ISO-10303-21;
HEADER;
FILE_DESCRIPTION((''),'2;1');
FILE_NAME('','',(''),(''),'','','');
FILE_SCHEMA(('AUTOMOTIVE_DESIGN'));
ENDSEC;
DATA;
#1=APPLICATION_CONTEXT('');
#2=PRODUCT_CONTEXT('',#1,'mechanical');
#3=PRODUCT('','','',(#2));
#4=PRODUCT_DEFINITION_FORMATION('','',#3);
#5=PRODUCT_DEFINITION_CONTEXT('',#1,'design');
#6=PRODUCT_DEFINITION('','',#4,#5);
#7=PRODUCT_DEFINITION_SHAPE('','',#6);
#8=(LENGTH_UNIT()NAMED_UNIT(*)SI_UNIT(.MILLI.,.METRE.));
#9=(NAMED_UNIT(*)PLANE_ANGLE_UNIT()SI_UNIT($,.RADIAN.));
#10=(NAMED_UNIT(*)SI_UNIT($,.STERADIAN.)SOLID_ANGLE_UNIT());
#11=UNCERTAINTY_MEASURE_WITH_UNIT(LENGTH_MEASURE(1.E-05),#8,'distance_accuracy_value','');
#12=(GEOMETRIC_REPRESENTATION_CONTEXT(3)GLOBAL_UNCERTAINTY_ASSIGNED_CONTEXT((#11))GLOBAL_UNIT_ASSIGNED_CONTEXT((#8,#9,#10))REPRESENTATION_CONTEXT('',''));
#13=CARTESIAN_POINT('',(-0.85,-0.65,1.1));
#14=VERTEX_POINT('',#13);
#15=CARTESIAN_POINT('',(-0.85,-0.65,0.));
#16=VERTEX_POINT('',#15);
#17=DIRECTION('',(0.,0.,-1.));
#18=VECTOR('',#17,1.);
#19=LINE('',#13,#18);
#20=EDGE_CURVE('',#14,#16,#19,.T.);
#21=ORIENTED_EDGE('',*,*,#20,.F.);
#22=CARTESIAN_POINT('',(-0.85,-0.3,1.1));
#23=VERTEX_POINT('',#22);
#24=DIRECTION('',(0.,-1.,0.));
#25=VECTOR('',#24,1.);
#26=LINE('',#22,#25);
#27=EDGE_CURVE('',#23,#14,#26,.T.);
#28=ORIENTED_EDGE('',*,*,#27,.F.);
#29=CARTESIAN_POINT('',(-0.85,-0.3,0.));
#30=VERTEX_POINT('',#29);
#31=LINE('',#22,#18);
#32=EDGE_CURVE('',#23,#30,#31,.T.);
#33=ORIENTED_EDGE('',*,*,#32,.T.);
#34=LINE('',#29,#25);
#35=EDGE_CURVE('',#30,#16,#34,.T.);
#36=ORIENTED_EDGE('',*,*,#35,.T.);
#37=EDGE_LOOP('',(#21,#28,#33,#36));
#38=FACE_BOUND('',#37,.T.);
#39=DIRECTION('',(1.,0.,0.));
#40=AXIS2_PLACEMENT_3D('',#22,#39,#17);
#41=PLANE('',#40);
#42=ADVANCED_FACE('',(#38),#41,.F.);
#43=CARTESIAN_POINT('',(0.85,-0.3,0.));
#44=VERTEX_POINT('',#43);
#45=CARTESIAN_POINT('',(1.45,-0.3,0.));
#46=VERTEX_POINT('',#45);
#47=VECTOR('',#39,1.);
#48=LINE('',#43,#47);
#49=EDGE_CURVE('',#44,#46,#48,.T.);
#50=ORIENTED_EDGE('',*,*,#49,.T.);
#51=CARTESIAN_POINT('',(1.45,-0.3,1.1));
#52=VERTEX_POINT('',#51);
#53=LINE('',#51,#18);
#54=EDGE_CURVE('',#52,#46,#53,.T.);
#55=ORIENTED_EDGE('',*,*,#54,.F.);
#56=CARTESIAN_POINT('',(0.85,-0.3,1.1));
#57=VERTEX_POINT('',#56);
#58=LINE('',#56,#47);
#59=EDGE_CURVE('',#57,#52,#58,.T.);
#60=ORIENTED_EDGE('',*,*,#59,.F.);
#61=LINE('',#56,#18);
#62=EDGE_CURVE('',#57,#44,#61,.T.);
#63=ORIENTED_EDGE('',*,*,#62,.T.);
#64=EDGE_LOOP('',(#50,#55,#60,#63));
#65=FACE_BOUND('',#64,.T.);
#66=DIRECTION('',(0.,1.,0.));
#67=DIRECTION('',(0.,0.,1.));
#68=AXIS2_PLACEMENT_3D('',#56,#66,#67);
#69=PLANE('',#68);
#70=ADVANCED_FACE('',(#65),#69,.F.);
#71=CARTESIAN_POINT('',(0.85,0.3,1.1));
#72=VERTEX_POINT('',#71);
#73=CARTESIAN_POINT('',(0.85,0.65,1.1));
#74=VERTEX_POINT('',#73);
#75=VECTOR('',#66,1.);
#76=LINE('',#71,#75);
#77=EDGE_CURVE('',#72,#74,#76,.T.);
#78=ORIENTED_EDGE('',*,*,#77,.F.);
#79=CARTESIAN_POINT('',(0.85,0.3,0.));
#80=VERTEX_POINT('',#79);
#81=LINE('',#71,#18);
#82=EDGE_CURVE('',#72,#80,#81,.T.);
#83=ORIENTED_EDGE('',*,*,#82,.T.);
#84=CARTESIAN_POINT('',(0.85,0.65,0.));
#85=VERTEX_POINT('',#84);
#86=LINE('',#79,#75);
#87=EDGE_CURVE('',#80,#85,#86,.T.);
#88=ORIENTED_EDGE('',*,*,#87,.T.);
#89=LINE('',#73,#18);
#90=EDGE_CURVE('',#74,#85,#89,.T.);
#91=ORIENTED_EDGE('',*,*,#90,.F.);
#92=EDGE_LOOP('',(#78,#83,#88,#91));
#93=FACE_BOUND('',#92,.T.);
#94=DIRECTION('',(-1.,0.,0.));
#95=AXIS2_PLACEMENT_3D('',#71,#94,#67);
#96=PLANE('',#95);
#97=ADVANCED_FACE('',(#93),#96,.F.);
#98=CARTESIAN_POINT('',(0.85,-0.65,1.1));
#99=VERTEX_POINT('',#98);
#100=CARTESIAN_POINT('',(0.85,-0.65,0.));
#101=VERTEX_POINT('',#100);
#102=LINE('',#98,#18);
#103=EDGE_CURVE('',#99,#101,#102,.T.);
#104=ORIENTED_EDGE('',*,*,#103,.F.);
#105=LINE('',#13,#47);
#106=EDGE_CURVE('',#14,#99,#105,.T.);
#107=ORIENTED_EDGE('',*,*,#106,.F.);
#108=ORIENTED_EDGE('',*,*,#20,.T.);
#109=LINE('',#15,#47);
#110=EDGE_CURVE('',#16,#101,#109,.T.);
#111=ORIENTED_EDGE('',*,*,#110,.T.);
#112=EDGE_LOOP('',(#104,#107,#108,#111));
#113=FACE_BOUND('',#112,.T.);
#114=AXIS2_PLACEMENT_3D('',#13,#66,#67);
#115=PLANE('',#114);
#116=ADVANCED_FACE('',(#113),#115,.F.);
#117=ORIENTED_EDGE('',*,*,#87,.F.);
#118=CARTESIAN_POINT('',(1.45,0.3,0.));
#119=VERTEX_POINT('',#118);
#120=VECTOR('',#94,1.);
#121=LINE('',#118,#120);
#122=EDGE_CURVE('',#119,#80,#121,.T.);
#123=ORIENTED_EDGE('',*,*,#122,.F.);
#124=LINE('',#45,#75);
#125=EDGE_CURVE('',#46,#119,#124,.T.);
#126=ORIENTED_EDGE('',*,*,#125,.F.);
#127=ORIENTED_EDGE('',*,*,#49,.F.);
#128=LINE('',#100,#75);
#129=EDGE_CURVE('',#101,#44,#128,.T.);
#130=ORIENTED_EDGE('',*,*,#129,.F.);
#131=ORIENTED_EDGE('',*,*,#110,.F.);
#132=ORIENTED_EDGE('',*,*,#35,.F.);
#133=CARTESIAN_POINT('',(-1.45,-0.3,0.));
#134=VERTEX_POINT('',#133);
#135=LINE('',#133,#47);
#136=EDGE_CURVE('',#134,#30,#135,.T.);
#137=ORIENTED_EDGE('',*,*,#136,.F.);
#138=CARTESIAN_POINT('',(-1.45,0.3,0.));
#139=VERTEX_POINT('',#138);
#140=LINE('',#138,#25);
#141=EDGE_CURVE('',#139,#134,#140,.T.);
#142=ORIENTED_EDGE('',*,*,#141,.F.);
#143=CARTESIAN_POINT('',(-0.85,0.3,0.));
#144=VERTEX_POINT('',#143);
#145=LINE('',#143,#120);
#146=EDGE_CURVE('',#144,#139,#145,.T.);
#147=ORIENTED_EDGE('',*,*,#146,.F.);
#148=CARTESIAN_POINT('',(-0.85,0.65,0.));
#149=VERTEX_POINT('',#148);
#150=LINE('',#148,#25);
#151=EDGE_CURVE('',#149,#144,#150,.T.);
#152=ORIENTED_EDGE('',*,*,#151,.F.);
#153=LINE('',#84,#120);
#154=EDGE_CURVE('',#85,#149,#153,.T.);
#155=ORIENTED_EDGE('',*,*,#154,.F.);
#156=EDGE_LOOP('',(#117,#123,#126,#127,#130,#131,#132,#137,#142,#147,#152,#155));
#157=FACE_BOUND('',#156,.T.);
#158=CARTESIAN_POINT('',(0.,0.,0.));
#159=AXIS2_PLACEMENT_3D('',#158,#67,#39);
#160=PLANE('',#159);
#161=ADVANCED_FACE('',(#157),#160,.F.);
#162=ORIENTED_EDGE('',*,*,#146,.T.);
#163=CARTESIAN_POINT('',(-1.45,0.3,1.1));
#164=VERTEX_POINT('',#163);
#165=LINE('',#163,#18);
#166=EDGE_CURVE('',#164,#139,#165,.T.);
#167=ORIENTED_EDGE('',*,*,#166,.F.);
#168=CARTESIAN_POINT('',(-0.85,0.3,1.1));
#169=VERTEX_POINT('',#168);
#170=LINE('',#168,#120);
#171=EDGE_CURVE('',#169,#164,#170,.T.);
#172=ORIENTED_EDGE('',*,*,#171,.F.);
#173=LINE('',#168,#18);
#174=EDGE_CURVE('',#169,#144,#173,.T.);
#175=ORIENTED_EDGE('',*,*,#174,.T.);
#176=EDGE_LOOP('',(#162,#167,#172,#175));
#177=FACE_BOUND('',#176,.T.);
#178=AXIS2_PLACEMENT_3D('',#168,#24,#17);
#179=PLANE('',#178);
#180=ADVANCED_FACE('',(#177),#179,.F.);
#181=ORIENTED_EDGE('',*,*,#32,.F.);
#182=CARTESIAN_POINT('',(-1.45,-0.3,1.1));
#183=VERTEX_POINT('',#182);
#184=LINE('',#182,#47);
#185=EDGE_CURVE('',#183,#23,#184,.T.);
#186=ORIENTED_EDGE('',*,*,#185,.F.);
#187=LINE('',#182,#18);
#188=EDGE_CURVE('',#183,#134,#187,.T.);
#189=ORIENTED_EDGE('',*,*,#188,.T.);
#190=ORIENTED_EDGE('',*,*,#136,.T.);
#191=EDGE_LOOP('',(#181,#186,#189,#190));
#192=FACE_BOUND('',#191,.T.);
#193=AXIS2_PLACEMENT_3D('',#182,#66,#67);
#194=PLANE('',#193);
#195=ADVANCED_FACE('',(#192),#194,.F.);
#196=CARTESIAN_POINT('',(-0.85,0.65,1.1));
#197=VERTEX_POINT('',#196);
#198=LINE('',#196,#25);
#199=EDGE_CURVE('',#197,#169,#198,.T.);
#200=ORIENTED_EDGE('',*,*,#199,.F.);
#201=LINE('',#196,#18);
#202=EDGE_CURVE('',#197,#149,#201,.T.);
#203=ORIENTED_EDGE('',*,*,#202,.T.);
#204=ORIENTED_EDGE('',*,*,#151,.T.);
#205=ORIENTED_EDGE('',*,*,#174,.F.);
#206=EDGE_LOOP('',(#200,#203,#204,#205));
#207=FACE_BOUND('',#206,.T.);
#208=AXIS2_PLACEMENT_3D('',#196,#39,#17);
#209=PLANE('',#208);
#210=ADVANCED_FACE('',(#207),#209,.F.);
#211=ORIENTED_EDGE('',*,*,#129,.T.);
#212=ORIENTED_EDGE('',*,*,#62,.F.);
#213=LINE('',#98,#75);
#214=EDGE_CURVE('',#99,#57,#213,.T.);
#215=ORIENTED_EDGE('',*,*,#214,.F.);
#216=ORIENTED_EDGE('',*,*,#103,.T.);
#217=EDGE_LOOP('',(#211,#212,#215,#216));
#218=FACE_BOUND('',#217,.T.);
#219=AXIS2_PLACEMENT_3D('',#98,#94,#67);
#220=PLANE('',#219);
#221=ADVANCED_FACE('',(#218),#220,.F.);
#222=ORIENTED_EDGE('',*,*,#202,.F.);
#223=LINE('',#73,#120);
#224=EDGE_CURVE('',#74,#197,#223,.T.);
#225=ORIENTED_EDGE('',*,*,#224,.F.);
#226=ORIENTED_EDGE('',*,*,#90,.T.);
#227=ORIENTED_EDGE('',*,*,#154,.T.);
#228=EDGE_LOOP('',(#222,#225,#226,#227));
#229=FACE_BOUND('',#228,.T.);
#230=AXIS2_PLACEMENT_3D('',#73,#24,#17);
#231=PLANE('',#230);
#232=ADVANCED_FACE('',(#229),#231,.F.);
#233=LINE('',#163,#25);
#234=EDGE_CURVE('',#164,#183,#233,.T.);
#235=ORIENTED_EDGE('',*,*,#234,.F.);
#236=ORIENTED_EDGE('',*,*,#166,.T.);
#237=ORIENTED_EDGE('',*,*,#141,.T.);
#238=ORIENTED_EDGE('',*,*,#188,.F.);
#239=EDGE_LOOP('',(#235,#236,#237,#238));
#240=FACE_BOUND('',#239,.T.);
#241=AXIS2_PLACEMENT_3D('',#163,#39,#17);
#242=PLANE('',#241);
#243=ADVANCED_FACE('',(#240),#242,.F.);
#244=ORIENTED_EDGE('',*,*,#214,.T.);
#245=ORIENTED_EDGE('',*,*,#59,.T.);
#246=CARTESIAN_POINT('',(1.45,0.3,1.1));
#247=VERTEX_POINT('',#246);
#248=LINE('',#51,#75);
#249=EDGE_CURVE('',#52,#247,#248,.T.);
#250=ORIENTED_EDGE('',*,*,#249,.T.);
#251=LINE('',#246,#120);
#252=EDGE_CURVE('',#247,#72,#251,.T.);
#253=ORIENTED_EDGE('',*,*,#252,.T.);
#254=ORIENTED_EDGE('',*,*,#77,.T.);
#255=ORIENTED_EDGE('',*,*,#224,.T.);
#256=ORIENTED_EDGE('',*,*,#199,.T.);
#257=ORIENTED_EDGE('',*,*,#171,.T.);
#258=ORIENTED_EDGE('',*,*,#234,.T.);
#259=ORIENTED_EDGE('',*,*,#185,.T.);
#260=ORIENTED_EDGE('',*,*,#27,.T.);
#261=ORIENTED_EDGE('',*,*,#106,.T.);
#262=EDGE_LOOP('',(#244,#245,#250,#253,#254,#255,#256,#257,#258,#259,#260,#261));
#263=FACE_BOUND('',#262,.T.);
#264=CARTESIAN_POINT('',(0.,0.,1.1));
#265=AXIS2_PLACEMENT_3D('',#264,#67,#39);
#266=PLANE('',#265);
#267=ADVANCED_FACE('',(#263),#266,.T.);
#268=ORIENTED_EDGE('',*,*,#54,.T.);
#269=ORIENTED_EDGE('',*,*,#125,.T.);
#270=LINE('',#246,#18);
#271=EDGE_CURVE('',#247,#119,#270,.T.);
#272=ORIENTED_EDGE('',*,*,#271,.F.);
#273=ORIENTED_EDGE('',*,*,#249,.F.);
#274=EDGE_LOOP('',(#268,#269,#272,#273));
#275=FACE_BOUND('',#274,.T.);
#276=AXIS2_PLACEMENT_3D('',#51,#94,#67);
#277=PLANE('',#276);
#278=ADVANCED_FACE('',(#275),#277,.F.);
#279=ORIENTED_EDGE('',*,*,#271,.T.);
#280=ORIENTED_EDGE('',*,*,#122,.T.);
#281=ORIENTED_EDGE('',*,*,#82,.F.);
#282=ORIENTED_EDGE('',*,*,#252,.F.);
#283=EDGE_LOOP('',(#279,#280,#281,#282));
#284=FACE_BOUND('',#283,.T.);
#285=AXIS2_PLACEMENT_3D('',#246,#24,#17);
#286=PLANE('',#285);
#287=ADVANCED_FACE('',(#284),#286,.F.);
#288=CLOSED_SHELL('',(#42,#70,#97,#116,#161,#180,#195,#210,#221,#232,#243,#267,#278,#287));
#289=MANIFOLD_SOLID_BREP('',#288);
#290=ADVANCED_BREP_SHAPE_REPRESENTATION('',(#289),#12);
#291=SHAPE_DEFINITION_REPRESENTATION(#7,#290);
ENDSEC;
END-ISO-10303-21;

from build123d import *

# Parameters (mm, degrees)
COMPONENT_OUTLINE_DEPTH = 1.1


with BuildPart() as part:
    # 草图1 → Component_Outline (new body)
    with BuildSketch(Plane.XY):
        Polygon((-1.45, -0.3), (-0.85, -0.3), (-0.85, -0.65), (0.85, -0.65), (0.85, -0.3), (1.45, -0.3), (1.45, 0.3), (0.85, 0.3), (0.85, 0.65), (-0.85, 0.65), (-0.85, 0.3), (-1.45, 0.3), align=None)
    extrude(amount=COMPONENT_OUTLINE_DEPTH)


solid = part.part
